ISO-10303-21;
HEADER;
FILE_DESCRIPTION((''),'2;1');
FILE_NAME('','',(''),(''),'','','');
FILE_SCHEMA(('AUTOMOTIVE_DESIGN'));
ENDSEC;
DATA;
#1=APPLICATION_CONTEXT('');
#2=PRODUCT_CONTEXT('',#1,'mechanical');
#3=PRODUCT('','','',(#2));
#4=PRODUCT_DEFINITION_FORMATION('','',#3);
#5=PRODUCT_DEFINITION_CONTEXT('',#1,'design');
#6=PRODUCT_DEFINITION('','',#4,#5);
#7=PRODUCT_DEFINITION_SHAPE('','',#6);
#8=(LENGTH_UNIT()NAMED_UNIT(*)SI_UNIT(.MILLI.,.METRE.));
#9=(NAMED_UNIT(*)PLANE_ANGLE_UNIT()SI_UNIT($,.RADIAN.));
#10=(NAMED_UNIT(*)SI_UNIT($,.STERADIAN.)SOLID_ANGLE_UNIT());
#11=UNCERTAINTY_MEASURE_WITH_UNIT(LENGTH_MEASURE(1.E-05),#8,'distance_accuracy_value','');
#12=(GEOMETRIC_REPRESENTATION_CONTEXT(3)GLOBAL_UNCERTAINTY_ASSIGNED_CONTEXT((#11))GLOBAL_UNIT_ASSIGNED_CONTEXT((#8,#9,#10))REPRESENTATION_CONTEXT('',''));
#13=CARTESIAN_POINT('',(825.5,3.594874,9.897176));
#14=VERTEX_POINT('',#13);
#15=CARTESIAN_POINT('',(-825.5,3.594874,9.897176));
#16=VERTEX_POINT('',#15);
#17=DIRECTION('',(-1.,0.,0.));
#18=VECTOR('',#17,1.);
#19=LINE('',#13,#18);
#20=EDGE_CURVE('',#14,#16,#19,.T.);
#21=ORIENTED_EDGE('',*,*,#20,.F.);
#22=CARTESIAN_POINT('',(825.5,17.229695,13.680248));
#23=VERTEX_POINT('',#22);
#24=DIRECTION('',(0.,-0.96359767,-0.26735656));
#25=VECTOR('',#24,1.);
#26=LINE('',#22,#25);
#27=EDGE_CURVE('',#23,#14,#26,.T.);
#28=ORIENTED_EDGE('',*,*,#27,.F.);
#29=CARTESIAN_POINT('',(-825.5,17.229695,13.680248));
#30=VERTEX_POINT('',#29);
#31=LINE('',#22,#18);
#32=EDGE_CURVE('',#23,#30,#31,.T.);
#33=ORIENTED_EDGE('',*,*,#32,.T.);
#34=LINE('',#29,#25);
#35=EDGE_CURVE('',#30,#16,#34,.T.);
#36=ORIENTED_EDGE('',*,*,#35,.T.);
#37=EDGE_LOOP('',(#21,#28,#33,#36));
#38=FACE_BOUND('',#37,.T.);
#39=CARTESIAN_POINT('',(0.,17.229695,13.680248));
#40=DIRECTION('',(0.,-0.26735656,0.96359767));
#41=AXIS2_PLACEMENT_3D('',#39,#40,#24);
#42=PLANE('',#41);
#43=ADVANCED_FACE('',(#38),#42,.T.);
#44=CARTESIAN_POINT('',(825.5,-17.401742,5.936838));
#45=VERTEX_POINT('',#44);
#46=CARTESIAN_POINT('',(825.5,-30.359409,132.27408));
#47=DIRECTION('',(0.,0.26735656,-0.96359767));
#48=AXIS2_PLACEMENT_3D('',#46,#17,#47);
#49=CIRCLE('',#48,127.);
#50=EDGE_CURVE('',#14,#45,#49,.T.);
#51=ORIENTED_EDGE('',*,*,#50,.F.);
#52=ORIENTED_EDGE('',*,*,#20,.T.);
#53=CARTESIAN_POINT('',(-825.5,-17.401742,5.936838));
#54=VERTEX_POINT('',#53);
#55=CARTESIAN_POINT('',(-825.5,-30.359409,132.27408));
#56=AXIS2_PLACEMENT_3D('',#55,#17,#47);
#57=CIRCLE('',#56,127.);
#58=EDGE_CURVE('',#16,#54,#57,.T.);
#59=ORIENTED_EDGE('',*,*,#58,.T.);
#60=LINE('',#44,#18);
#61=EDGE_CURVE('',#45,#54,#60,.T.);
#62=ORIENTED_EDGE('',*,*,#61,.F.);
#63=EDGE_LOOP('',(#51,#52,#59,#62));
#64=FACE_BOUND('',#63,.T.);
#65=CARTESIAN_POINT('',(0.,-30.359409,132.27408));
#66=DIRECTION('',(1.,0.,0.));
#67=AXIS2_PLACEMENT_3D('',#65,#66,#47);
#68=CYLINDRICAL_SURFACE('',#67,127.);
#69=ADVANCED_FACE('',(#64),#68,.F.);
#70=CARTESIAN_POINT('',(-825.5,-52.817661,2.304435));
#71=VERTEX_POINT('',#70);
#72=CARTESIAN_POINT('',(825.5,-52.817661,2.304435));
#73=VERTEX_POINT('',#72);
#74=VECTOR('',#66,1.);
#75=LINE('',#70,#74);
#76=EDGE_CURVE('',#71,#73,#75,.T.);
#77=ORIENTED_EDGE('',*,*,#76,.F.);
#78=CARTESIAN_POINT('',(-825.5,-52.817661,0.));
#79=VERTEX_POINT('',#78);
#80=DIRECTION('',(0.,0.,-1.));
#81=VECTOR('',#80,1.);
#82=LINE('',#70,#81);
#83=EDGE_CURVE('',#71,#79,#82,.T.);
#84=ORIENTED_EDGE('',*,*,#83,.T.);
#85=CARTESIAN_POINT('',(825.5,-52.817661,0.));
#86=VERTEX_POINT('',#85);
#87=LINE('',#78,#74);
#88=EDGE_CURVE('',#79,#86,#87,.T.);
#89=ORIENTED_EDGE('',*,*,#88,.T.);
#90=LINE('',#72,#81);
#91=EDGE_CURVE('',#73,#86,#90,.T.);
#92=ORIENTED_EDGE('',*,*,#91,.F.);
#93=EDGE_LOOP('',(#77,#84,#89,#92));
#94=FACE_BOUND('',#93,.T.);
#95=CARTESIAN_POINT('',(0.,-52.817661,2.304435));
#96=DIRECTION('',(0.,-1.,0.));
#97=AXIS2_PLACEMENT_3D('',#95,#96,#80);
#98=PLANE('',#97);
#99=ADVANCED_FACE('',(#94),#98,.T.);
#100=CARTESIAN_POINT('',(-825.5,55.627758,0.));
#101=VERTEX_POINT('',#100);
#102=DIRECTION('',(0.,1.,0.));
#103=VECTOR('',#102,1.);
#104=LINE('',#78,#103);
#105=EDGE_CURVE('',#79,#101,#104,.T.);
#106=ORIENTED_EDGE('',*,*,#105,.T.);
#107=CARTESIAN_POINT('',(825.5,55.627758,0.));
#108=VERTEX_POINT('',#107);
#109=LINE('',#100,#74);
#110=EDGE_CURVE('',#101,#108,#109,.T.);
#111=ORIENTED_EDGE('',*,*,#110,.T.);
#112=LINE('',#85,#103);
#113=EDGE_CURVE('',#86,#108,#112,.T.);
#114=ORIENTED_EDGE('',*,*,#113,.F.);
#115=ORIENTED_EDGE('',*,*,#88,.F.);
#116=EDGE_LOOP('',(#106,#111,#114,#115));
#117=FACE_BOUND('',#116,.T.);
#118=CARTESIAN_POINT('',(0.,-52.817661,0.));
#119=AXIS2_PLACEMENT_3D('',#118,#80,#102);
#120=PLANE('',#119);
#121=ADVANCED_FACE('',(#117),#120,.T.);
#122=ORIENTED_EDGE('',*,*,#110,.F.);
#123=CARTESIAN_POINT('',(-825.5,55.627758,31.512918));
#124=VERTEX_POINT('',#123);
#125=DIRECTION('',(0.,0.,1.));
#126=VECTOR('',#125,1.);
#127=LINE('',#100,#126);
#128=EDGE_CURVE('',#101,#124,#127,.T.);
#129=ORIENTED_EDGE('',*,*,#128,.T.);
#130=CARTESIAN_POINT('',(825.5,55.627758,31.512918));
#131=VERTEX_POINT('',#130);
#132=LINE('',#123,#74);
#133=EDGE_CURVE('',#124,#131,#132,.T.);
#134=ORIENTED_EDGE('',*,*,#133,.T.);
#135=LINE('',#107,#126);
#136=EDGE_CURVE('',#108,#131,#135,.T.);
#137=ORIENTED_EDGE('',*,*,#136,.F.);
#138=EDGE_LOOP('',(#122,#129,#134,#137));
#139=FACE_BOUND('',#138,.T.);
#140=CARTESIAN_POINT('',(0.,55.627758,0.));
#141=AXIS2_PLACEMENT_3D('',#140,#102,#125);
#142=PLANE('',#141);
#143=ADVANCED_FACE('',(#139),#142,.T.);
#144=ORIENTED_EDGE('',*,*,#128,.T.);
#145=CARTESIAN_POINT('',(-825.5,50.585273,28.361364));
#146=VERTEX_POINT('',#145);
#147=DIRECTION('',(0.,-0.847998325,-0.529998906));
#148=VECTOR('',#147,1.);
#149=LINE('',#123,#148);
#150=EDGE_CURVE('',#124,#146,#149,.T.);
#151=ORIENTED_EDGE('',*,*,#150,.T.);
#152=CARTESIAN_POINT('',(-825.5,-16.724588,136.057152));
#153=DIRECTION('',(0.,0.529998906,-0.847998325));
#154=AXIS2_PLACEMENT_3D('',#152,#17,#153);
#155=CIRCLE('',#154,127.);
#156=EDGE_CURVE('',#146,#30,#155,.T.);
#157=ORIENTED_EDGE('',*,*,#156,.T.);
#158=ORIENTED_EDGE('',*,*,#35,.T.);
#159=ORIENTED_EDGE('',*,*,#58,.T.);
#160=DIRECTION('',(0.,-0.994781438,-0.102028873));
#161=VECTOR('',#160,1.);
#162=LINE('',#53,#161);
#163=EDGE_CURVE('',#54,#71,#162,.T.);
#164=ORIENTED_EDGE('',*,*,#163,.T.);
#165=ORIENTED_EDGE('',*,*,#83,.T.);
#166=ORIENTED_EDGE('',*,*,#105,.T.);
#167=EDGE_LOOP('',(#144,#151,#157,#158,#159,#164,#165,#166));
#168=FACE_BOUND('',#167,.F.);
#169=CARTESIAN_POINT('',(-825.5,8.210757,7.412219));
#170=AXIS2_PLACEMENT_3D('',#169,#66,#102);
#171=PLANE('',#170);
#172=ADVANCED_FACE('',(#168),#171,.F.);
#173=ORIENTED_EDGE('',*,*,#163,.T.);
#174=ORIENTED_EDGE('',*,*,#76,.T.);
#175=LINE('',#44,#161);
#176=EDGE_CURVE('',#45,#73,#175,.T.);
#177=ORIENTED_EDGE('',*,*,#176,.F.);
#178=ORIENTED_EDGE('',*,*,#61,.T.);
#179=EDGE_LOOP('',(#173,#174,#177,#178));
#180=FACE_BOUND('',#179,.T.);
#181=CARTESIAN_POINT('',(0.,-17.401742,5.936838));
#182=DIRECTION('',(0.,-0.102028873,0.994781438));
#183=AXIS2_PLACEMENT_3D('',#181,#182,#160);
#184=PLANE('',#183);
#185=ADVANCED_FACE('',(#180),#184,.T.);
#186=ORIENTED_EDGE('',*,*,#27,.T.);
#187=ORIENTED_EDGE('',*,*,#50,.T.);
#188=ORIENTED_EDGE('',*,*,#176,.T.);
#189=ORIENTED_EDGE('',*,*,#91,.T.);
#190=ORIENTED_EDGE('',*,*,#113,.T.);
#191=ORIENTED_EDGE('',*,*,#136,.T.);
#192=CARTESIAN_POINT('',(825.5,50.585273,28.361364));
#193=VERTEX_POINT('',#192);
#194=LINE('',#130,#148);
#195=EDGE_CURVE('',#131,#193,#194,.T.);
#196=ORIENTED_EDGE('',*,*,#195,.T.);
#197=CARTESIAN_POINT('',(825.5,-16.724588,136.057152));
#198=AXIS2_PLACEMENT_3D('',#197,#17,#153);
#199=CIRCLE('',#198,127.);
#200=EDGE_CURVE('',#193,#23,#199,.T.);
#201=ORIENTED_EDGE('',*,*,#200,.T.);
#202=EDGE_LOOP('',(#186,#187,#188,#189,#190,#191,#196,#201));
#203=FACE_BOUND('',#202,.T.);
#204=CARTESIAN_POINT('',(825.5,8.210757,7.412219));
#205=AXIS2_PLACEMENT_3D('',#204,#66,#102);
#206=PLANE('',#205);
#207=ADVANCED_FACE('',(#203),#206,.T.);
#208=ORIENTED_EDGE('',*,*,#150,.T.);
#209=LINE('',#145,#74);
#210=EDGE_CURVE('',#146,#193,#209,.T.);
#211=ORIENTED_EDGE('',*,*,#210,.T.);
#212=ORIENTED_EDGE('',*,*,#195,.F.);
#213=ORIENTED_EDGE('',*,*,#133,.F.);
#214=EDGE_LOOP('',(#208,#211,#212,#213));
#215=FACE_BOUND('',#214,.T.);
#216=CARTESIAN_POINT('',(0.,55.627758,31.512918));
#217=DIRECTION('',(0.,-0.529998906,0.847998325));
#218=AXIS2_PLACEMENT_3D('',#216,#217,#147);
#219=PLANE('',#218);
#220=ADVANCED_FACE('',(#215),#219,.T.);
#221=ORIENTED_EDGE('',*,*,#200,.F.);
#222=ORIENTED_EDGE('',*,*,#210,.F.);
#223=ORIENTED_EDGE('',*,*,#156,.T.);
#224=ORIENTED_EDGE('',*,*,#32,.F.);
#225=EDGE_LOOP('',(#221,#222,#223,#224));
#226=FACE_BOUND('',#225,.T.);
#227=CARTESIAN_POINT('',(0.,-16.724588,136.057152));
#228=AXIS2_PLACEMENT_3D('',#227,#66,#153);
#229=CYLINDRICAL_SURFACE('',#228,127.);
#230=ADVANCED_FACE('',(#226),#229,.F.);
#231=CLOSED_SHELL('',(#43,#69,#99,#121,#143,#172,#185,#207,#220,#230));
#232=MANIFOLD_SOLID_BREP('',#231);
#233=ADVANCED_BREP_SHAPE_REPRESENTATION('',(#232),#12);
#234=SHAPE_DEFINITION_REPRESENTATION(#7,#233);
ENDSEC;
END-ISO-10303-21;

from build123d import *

# Parameters (mm, degrees)
F1_DEPTH = 825.5


with BuildPart() as f1:
    # F0 (on Right) → F1 (new body, symmetric)
    with BuildSketch(Plane.YZ):
        with BuildLine():
            Line((-17.4017421393, 5.936837718), (-52.8176613152, 2.3044354748))
            Line((-52.8176613152, 2.3044354748), (-52.8176613152, 0))
            Line((-52.8176613152, 0), (55.627758292, 0))
            Line((55.627758292, 0), (55.627758292, 31.5129175921))
            Line((55.627758292, 31.5129175921), (50.5852726164, 28.3613643292))
            ThreePointArc((50.5852726164, 28.3613643292), (34.4368278859, 19.8181329), (17.22969466, 13.6802475466))
            Line((17.22969466, 13.6802475466), (3.594874024, 9.8971762013))
            ThreePointArc((3.594874024, 9.8971762013), (-6.8199988392, 7.474656574), (-17.4017421393, 5.936837718))
        make_face()
    extrude(amount=F1_DEPTH, both=True)


solid = f1.part
